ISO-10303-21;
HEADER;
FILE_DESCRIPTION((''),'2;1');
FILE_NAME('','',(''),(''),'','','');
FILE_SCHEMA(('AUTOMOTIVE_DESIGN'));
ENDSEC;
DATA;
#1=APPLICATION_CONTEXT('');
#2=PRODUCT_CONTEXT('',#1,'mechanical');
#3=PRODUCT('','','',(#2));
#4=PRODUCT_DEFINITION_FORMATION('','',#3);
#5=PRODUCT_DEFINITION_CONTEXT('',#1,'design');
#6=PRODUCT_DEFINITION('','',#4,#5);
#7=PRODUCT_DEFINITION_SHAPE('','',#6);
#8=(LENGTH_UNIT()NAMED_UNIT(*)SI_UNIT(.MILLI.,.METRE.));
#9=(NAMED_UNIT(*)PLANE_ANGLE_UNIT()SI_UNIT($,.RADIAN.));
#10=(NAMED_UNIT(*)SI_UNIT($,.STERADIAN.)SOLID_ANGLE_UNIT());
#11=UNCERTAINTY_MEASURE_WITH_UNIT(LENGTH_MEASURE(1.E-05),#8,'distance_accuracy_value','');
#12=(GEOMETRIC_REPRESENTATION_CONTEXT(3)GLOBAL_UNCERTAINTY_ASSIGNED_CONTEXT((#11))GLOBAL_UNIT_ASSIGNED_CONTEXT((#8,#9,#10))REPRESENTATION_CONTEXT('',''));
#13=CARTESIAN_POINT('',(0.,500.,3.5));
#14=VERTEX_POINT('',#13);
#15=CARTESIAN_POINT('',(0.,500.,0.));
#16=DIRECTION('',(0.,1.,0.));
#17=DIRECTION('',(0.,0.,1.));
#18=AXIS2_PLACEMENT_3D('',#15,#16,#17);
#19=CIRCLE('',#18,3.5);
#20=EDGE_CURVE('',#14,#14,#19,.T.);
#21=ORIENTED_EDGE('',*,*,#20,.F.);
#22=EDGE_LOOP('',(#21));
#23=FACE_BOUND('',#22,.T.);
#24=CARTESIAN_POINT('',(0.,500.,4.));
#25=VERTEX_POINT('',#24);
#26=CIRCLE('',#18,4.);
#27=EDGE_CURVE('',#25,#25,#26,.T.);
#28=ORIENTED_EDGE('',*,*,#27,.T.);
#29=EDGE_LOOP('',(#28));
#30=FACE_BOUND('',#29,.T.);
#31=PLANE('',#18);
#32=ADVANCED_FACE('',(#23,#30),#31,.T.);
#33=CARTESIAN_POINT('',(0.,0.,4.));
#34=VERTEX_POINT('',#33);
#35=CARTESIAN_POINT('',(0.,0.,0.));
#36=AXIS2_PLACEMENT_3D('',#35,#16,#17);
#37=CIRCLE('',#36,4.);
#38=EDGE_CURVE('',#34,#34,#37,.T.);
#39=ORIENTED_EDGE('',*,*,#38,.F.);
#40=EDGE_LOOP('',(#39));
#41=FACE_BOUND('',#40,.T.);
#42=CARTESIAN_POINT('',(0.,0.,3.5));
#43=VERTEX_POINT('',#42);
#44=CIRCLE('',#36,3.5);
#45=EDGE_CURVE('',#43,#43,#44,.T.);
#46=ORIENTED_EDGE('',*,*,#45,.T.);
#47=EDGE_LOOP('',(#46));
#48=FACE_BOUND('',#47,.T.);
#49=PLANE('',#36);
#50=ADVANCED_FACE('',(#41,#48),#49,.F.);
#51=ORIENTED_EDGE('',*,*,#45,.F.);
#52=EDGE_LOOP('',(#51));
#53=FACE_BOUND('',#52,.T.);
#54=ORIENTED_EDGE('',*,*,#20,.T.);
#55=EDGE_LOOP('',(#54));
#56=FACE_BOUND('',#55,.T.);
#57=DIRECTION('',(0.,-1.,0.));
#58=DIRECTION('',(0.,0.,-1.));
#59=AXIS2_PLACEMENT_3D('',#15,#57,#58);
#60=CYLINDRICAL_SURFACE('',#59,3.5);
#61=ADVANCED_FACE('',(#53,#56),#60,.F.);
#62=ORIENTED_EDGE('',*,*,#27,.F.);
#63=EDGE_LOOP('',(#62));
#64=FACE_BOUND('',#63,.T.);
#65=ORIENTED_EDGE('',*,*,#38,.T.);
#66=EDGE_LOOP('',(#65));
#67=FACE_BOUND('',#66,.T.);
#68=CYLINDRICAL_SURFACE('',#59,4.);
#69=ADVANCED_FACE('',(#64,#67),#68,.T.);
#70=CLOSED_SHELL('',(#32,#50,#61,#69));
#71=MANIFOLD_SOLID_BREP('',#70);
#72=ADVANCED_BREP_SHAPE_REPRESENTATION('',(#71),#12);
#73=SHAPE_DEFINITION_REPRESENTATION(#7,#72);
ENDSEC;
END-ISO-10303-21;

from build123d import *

# Parameters (mm, degrees)
SKETCH1_R           = 4
SKETCH1_R_2         = 3.5
BOSS_EXTRUDE1_DEPTH = 500


with BuildPart() as part:
    # Sketch1 → Boss-Extrude1 (new body)
    with BuildSketch(Plane(origin=(0, 0, 0), x_dir=(1, 0, 0), z_dir=(0, 1, 0))):
        Circle(SKETCH1_R)
        Circle(SKETCH1_R_2, mode=Mode.SUBTRACT)
    extrude(amount=BOSS_EXTRUDE1_DEPTH)


solid = part.part
